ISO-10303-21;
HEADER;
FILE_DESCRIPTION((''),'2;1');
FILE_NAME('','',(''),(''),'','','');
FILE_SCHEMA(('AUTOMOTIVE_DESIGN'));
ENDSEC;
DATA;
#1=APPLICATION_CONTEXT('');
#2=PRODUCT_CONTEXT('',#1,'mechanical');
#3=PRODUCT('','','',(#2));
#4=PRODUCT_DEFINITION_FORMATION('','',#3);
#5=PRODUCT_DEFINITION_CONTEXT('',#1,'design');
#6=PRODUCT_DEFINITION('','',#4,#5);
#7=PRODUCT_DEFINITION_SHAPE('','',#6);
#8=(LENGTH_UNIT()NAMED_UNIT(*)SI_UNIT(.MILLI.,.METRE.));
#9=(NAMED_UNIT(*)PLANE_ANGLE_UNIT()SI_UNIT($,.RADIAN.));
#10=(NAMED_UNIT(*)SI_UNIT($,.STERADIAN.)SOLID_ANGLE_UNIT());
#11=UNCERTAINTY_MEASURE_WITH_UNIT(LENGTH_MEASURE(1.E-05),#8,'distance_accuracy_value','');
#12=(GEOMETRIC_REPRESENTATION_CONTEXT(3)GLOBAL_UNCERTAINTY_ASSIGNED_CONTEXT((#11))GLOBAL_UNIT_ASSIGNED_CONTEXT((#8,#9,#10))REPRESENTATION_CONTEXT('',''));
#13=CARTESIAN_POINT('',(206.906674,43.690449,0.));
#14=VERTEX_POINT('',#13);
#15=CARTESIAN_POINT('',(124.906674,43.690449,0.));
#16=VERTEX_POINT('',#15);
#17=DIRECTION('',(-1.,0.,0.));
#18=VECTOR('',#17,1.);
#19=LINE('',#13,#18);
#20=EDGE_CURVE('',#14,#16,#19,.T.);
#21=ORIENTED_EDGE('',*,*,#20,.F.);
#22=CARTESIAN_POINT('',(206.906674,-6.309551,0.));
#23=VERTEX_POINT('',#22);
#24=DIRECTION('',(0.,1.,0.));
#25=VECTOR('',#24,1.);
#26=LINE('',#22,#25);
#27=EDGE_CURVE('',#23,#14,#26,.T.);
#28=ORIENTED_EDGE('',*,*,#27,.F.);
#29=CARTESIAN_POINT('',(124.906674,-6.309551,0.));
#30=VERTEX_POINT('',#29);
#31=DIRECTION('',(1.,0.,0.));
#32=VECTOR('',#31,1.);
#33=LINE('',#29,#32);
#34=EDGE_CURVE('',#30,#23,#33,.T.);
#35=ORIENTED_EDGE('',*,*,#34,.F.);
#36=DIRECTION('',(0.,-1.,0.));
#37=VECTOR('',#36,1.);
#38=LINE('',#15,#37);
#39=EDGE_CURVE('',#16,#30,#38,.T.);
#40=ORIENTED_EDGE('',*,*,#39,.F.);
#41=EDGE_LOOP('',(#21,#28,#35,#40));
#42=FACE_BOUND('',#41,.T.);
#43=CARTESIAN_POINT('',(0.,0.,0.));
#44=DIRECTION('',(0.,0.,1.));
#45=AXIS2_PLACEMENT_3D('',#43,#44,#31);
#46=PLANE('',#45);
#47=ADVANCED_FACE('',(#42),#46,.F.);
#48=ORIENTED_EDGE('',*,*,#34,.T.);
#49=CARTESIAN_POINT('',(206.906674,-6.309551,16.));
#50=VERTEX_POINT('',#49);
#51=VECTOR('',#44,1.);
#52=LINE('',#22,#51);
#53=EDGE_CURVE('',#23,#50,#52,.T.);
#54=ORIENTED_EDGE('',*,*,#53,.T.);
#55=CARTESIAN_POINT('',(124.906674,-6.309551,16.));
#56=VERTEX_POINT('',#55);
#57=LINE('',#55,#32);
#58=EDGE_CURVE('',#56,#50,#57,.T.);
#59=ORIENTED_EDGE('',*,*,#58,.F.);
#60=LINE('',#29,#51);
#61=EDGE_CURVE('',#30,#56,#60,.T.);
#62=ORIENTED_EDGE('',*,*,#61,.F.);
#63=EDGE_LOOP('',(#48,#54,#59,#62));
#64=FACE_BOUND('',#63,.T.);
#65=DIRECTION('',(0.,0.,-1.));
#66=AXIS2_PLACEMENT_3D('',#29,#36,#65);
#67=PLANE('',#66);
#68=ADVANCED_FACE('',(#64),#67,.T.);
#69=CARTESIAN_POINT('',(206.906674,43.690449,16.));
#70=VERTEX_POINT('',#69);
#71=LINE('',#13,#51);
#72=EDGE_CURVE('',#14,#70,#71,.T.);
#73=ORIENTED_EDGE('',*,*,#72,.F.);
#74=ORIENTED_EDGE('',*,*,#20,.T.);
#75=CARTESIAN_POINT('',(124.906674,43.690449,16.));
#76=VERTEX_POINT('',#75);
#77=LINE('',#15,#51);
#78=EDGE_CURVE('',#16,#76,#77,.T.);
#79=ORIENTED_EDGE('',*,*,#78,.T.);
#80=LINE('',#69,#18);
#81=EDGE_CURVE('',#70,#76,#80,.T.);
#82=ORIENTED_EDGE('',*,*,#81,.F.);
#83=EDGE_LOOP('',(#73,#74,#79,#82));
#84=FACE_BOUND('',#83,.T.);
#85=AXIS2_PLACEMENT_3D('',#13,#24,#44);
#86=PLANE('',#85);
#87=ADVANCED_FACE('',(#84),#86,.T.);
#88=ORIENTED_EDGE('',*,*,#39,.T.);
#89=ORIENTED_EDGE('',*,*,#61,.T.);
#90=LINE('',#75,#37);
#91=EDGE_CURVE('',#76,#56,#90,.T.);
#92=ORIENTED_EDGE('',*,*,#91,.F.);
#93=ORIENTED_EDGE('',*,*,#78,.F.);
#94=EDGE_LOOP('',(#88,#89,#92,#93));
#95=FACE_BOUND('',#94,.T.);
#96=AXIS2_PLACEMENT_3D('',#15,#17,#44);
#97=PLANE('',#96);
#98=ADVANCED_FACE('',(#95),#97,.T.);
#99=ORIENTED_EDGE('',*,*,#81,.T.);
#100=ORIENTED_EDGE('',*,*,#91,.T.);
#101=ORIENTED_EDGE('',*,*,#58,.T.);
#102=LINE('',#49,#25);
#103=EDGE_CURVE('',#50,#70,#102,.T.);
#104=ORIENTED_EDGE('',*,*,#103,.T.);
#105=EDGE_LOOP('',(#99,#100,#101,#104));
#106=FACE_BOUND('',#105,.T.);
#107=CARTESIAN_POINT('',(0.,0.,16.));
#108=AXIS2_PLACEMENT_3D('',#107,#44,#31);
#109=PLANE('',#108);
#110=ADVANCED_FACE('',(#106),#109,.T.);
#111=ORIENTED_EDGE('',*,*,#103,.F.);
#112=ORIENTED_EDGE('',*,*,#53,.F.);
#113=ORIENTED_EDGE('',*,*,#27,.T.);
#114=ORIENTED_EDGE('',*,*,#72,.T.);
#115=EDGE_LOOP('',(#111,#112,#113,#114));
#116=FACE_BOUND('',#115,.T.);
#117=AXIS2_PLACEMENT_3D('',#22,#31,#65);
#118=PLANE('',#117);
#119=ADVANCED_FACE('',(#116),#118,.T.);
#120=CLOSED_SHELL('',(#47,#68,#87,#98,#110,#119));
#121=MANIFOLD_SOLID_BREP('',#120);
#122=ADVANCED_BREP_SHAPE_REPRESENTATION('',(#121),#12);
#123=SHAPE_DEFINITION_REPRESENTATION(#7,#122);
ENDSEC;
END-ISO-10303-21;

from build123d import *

# Parameters (mm, degrees)
SKETCH_1_W      = 82
SKETCH_1_H      = 50
EXTRUDE_1_DEPTH = 16


with BuildPart() as part:
    # 草图1 → 凸台-拉伸1 (new body)
    with BuildSketch(Plane.XY.offset(16)):
        with Locations((165.906674027, 18.690448813)):
            Rectangle(SKETCH_1_W, SKETCH_1_H)
    extrude(amount=-EXTRUDE_1_DEPTH)


solid = part.part
